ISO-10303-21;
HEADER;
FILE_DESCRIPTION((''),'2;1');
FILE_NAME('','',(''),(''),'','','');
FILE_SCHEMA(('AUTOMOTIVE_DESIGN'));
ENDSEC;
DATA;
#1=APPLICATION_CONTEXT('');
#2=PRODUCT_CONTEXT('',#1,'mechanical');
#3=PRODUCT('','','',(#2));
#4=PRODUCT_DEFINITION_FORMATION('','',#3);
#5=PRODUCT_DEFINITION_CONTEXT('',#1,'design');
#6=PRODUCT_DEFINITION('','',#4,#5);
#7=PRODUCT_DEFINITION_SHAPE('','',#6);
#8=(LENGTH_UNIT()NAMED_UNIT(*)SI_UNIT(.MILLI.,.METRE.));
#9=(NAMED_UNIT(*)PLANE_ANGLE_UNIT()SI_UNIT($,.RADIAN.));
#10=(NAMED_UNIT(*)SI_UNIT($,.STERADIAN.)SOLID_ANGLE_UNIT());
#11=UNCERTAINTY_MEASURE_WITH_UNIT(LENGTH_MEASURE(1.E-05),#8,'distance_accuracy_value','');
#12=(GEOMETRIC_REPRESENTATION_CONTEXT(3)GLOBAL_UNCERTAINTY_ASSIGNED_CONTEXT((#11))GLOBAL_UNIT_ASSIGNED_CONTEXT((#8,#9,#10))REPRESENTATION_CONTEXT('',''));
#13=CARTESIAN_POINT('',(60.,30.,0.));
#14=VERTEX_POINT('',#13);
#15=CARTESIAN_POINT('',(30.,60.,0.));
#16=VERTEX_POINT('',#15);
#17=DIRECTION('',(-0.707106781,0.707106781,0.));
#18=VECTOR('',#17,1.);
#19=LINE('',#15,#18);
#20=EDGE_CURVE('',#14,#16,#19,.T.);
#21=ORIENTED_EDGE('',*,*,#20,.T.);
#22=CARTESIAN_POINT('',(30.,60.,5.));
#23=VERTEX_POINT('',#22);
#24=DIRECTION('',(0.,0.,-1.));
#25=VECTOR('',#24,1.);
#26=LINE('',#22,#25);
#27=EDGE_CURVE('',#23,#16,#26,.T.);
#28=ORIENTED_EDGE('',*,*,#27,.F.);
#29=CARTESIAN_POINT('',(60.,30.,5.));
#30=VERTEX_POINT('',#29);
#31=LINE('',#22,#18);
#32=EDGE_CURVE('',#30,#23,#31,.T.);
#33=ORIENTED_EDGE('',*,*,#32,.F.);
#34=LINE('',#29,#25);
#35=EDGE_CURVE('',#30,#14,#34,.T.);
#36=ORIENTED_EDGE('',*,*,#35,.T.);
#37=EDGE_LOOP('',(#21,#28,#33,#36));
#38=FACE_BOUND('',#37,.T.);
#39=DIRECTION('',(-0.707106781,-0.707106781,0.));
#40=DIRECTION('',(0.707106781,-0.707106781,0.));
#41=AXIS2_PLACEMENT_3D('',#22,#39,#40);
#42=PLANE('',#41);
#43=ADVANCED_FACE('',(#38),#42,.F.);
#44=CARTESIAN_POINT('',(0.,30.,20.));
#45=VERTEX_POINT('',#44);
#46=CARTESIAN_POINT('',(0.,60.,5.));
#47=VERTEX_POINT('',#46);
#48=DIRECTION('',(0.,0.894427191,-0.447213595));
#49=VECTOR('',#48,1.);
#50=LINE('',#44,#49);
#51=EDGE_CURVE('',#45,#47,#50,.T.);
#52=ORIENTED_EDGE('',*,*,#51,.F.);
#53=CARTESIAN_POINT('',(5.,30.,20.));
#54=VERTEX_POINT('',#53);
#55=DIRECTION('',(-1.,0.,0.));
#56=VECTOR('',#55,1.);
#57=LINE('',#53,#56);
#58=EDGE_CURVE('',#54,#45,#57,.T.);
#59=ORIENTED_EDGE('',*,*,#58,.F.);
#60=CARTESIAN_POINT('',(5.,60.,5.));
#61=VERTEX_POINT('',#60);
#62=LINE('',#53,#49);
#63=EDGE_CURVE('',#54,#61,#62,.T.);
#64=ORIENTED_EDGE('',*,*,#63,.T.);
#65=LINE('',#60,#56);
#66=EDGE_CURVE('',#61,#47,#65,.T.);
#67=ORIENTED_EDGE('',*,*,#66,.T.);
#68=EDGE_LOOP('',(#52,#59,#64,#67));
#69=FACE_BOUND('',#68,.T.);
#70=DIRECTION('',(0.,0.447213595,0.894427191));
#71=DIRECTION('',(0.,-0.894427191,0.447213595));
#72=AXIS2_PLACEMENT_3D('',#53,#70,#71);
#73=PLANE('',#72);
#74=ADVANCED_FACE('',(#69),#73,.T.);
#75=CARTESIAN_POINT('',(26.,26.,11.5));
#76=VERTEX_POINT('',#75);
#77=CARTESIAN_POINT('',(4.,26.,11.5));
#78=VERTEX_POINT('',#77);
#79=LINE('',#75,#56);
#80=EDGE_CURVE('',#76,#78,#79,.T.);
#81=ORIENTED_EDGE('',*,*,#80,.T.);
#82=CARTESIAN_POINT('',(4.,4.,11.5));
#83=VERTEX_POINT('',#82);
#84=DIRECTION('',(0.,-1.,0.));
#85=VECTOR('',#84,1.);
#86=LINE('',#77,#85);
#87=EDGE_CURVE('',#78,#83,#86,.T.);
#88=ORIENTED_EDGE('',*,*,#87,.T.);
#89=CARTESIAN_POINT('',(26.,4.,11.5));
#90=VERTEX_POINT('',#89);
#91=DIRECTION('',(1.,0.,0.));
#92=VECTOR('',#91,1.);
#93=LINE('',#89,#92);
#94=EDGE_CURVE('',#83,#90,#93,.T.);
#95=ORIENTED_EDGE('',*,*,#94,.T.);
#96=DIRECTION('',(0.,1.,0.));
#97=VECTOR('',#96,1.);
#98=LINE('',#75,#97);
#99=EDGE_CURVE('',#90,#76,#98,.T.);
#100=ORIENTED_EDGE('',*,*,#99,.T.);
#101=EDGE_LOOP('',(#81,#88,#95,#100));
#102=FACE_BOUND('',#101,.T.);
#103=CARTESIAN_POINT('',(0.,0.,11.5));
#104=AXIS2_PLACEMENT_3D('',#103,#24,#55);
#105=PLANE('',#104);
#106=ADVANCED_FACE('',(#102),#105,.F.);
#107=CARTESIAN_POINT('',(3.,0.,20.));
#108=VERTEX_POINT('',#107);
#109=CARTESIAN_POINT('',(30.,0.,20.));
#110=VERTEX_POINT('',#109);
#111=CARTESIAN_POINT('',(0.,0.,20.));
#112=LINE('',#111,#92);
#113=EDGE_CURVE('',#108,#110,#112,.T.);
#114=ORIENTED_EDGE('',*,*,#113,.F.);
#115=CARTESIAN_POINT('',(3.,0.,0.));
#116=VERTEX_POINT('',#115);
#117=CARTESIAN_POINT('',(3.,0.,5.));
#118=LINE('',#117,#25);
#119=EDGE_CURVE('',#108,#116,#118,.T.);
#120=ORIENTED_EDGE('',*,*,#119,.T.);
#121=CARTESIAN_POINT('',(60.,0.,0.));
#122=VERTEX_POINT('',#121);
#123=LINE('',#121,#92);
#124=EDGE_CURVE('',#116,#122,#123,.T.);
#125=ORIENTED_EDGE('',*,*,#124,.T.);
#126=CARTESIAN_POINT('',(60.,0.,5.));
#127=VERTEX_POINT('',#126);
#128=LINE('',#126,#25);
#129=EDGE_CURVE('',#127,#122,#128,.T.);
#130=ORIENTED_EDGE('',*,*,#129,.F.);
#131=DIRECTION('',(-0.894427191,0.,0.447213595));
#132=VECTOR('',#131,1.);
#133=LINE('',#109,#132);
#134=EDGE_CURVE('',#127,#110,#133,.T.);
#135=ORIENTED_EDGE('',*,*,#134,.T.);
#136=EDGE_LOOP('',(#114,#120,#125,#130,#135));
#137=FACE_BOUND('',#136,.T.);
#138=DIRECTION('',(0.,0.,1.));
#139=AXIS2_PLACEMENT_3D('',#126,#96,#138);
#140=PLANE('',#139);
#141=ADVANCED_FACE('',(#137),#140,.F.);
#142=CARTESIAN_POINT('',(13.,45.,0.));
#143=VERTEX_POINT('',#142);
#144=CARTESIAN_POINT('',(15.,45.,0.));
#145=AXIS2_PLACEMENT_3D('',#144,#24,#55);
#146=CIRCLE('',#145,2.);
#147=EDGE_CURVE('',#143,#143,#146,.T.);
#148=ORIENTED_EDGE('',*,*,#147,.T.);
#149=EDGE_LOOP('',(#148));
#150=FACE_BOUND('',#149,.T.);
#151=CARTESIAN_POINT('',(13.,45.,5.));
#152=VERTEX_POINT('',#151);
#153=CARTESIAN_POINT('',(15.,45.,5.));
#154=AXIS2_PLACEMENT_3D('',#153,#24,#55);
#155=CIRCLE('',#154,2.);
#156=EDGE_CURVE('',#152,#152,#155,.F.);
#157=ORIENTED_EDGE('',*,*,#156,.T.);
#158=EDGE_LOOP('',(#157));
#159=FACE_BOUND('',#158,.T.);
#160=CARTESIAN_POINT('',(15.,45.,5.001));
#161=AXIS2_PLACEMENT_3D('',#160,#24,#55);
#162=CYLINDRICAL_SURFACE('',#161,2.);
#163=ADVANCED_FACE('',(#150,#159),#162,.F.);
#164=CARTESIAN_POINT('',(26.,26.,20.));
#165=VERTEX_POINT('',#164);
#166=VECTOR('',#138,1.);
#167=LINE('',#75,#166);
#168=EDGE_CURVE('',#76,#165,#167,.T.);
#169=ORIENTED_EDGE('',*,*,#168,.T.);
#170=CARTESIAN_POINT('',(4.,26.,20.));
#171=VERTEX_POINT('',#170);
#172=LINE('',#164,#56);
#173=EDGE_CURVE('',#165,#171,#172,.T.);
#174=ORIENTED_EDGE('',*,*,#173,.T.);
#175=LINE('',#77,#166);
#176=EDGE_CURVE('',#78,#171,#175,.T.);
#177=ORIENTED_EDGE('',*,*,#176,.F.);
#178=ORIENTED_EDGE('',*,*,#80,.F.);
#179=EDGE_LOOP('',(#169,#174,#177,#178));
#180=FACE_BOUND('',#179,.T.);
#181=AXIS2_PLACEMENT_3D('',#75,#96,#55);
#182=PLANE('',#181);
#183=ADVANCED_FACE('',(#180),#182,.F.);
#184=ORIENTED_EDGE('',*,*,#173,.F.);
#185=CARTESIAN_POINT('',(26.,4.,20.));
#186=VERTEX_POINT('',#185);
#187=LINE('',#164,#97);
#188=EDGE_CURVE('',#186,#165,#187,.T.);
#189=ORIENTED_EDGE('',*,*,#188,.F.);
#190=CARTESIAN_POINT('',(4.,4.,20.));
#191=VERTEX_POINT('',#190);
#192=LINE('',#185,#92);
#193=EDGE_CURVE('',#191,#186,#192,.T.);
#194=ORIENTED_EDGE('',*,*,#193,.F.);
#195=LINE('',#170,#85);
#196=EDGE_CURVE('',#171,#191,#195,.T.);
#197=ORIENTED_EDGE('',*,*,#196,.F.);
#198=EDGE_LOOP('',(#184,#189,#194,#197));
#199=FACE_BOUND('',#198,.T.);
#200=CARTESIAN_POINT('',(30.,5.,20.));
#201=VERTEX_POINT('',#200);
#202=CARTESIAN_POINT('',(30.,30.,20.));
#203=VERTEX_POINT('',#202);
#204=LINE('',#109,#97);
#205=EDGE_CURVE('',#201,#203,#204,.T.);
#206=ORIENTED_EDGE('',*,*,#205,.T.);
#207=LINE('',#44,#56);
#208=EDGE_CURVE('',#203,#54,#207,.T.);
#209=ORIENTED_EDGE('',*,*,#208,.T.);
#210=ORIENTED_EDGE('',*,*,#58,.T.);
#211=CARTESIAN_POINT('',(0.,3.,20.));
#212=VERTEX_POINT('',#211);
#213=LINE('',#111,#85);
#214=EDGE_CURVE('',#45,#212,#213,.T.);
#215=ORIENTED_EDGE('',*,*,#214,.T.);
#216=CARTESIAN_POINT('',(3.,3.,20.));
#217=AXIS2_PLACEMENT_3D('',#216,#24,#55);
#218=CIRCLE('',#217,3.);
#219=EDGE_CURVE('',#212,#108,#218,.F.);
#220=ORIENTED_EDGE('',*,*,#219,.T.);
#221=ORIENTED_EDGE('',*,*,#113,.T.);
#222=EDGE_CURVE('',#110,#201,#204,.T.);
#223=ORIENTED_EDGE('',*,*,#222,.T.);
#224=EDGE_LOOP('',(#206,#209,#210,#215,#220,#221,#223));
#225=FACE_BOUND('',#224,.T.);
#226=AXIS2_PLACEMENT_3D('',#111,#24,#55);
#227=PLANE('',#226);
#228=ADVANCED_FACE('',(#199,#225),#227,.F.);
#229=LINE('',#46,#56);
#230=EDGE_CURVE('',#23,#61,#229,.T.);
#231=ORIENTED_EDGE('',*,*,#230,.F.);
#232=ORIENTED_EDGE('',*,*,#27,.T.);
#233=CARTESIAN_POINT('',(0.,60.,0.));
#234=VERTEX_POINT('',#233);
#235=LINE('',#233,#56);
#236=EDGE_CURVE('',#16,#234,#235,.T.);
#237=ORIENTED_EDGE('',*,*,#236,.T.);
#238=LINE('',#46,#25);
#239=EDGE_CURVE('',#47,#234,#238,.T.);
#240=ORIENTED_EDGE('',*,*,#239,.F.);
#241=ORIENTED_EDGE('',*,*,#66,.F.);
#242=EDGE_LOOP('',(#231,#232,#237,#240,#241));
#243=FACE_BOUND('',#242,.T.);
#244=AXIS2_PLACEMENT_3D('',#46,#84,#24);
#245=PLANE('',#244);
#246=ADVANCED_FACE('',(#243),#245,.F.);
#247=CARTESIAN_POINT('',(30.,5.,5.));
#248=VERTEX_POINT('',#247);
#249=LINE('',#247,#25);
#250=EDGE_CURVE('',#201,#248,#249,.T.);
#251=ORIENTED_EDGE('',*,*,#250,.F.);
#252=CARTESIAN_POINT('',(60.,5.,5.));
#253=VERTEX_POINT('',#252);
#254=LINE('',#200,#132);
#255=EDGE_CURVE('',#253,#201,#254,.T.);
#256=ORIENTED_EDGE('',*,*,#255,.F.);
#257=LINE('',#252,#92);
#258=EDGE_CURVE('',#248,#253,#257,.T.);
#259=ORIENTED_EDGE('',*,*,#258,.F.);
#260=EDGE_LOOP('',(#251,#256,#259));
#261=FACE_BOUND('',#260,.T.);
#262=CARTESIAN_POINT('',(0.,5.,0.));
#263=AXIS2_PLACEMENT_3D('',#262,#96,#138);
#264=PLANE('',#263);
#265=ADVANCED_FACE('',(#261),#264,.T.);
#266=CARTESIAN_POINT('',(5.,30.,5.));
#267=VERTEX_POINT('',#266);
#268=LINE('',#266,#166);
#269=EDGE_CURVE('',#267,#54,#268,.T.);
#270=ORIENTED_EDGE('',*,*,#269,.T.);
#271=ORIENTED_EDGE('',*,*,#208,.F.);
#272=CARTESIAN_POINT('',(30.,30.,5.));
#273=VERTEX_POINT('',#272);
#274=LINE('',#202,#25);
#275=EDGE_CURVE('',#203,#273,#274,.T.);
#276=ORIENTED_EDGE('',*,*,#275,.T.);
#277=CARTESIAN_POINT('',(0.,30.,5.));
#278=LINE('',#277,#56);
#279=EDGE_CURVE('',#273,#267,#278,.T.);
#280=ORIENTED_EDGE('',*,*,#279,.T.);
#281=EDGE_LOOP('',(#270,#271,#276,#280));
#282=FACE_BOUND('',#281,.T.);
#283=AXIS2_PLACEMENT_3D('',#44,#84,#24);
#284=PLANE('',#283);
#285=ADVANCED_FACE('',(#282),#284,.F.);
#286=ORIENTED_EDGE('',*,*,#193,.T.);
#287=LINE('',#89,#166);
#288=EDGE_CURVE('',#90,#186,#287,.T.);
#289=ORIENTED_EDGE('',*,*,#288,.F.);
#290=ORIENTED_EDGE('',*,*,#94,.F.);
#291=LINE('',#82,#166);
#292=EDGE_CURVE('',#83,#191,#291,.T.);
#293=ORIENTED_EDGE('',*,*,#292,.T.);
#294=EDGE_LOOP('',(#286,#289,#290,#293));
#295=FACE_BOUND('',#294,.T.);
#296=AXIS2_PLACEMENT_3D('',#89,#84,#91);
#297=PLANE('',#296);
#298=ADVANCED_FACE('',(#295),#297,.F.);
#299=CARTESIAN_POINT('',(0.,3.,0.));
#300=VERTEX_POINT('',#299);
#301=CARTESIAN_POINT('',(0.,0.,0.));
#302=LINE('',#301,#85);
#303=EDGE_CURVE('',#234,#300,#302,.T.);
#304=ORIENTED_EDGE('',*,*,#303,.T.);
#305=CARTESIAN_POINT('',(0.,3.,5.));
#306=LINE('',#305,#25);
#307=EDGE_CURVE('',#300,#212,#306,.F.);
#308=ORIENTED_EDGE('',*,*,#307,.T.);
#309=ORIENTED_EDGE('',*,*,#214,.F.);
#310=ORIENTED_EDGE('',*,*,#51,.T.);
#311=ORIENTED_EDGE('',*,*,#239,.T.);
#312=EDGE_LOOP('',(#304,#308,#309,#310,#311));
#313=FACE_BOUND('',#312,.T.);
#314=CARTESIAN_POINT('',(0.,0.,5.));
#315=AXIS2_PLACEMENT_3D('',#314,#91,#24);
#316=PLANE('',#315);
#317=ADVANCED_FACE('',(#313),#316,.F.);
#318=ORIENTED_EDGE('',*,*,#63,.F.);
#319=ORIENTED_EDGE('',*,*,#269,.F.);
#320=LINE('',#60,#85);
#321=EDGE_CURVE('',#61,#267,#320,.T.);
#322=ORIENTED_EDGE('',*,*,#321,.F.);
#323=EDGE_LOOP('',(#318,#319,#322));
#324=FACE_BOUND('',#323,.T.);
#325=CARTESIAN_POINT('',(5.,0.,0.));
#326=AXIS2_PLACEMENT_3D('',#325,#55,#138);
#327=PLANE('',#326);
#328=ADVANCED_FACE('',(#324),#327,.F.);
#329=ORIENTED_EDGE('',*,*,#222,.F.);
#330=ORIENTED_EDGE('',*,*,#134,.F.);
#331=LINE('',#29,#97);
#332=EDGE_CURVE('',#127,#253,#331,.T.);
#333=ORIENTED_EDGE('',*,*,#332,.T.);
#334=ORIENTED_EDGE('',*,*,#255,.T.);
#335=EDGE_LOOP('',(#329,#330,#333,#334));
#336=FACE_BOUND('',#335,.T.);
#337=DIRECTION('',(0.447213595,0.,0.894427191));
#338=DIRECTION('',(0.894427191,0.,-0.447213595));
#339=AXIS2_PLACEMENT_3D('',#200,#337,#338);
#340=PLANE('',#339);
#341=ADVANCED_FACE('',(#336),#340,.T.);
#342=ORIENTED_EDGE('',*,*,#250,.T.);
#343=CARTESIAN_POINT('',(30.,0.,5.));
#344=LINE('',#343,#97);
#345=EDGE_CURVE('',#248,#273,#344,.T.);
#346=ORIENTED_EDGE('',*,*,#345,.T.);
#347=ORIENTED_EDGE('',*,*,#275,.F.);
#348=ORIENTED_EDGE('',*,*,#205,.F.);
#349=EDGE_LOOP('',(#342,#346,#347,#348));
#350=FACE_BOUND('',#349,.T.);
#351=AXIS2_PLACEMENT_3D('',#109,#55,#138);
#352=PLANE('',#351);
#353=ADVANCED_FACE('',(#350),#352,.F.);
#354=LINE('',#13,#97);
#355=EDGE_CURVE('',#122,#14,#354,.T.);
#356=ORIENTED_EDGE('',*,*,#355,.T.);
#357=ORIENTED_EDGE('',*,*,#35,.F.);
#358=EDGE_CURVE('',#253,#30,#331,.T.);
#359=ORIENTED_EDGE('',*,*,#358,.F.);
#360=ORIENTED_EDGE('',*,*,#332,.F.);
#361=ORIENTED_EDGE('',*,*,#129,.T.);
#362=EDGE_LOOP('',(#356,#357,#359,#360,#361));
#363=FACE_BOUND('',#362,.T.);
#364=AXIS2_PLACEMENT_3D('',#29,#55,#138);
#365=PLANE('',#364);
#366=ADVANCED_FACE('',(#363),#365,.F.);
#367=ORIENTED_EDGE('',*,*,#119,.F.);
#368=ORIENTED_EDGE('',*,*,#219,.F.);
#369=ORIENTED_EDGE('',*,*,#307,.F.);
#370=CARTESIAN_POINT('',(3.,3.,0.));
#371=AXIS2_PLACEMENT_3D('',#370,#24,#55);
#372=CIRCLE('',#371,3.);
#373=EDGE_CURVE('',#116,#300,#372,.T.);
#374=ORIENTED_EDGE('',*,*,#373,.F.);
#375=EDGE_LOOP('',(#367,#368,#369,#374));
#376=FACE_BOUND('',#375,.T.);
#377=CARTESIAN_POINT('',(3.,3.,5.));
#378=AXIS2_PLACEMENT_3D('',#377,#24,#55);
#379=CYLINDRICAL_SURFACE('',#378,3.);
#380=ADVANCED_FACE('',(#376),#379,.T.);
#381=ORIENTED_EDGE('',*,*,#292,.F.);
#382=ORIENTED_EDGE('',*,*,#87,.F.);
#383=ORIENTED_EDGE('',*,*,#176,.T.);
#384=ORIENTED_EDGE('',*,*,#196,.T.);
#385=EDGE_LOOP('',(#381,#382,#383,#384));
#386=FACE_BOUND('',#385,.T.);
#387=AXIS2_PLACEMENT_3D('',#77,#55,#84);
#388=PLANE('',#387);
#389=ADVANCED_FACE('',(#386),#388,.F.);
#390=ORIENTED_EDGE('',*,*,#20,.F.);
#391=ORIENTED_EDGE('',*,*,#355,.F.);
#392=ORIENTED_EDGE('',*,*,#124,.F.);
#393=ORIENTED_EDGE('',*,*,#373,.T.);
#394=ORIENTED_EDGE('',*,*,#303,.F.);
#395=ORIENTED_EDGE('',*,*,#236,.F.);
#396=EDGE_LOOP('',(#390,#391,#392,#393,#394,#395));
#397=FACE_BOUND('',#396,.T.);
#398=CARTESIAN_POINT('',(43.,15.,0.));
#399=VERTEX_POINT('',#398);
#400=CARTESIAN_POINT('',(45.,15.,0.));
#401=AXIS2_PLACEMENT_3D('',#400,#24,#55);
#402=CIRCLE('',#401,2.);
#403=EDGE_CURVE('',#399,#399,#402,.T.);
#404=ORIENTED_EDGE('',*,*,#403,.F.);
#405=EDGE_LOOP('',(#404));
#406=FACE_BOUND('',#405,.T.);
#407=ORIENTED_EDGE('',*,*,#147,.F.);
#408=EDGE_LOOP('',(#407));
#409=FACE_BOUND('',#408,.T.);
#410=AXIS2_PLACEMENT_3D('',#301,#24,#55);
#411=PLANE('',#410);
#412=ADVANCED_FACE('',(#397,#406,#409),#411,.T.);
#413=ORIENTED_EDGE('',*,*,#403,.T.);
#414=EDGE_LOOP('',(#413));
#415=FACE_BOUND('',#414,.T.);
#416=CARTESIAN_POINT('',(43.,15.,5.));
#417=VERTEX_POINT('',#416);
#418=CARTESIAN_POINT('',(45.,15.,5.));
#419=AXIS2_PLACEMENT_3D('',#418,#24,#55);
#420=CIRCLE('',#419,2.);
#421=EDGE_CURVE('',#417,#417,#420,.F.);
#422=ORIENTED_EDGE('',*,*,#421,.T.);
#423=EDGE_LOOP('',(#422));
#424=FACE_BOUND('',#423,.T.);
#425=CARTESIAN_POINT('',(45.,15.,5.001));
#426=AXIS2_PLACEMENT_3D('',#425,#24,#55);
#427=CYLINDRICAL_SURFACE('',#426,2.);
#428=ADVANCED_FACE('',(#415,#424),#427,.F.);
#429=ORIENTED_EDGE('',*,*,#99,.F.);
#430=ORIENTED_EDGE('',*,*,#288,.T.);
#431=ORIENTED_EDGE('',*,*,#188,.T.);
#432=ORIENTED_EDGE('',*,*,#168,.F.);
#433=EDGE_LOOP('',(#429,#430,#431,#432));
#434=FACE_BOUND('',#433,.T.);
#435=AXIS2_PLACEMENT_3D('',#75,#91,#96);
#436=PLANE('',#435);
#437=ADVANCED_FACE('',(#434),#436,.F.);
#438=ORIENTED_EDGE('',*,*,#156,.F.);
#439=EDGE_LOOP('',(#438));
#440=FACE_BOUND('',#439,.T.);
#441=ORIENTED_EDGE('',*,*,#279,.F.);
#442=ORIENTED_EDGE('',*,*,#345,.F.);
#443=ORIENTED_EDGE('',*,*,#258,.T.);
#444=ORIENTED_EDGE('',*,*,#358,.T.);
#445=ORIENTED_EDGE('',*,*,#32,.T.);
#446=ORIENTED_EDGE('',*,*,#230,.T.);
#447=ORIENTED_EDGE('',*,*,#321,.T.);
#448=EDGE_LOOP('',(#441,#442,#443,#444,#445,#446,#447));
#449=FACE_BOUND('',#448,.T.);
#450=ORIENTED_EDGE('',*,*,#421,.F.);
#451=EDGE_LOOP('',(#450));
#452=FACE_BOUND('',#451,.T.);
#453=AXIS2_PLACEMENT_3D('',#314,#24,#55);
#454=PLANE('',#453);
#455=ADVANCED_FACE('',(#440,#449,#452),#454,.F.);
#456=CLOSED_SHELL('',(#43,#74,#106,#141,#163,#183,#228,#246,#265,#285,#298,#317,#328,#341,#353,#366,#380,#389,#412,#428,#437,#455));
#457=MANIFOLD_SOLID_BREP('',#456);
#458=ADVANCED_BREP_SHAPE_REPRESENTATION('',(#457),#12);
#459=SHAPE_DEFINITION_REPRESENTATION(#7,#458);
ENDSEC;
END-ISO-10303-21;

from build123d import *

# Parameters (mm, degrees)
DODANIE_WYCI_GNI_CIE1_DEPTH = 5
WYTNIJ_WYCI_GNI_CIE1_REACH  = 87
SZKIC2_R                    = 2
SZKIC3_W                    = 30
SZKIC3_H                    = 30
DODANIE_WYCI_GNI_CIE2_DEPTH = 15
DODANIE_WYCI_GNI_CIE3_DEPTH = 5
DODANIE_WYCI_GNI_CIE4_DEPTH = 5
ZAOKR_GLENIE1_R             = 3
SZKIC6_W                    = 22
SZKIC6_H                    = 22
WYTNIJ_WYCI_GNI_CIE2_DEPTH  = 8.5


with BuildPart() as part:
    # Szkic1 → Dodanie-wyciągnięcie1 (new body)
    with BuildSketch(Plane.XY):
        Polygon((0, 0), (0, 60), (30, 60), (60, 30), (60, 0), align=None)
    extrude(amount=DODANIE_WYCI_GNI_CIE1_DEPTH)

    # Szkic2 → Wytnij-wyciągnięcie1 (cut, up to next)
    with BuildSketch(Plane(origin=(0, 0, 0), x_dir=(-1, 0, 0), z_dir=(0, 0, -1)), mode=Mode.PRIVATE) as wytnij_wyci_gni_cie1_sk1:
        with Locations((-45, 15)):
            Circle(SZKIC2_R)
    wytnij_wyci_gni_cie1_tool1 = extrude(wytnij_wyci_gni_cie1_sk1.sketch, amount=-WYTNIJ_WYCI_GNI_CIE1_REACH, mode=Mode.PRIVATE) & part.part
    # Szkic2 → Wytnij-wyciągnięcie1 (cut, up to next)
    with BuildSketch(Plane(origin=(0, 0, 0), x_dir=(-1, 0, 0), z_dir=(0, 0, -1)), mode=Mode.PRIVATE) as wytnij_wyci_gni_cie1_sk2:
        with Locations((-15, 45)):
            Circle(SZKIC2_R)
    wytnij_wyci_gni_cie1_tool2 = extrude(wytnij_wyci_gni_cie1_sk2.sketch, amount=-WYTNIJ_WYCI_GNI_CIE1_REACH, mode=Mode.PRIVATE) & part.part
    add(wytnij_wyci_gni_cie1_tool1.solids().sort_by_distance((45, 15, 0))[0], mode=Mode.SUBTRACT)
    add(wytnij_wyci_gni_cie1_tool2.solids().sort_by_distance((15, 45, 0))[0], mode=Mode.SUBTRACT)

    # Szkic3 → Dodanie-wyciągnięcie2 (add)
    with BuildSketch(Plane.XY.offset(5)):
        with Locations((15, 15)):
            Rectangle(SZKIC3_W, SZKIC3_H)
    extrude(amount=DODANIE_WYCI_GNI_CIE2_DEPTH)

    # Szkic4 → Dodanie-wyciągnięcie3 (add)
    with BuildSketch(Plane(origin=(0, 0, 0), x_dir=(-1, 0, 0), z_dir=(0, -1, 0))):
        Polygon((-30, -5), (-30, -20), (-60, -5), align=None)
    extrude(amount=-DODANIE_WYCI_GNI_CIE3_DEPTH)

    # Szkic5 → Dodanie-wyciągnięcie4 (add)
    with BuildSketch(Plane.ZY):
        Polygon((5, 30), (20, 30), (5, 60), align=None)
    extrude(amount=-DODANIE_WYCI_GNI_CIE4_DEPTH)

    # Zaokrąglenie1
    zaokr_glenie1_edges = [part.edges().sort_by_distance(p)[0] for p in [
        (0, 0, 10),
    ]]
    fillet(zaokr_glenie1_edges, radius=ZAOKR_GLENIE1_R)

    # Szkic6 → Wytnij-wyciągnięcie2 (cut)
    with BuildSketch(Plane.XY.offset(20)):
        with Locations((15, 15)):
            Rectangle(SZKIC6_W, SZKIC6_H)
    extrude(amount=-WYTNIJ_WYCI_GNI_CIE2_DEPTH, mode=Mode.SUBTRACT)


solid = part.part
